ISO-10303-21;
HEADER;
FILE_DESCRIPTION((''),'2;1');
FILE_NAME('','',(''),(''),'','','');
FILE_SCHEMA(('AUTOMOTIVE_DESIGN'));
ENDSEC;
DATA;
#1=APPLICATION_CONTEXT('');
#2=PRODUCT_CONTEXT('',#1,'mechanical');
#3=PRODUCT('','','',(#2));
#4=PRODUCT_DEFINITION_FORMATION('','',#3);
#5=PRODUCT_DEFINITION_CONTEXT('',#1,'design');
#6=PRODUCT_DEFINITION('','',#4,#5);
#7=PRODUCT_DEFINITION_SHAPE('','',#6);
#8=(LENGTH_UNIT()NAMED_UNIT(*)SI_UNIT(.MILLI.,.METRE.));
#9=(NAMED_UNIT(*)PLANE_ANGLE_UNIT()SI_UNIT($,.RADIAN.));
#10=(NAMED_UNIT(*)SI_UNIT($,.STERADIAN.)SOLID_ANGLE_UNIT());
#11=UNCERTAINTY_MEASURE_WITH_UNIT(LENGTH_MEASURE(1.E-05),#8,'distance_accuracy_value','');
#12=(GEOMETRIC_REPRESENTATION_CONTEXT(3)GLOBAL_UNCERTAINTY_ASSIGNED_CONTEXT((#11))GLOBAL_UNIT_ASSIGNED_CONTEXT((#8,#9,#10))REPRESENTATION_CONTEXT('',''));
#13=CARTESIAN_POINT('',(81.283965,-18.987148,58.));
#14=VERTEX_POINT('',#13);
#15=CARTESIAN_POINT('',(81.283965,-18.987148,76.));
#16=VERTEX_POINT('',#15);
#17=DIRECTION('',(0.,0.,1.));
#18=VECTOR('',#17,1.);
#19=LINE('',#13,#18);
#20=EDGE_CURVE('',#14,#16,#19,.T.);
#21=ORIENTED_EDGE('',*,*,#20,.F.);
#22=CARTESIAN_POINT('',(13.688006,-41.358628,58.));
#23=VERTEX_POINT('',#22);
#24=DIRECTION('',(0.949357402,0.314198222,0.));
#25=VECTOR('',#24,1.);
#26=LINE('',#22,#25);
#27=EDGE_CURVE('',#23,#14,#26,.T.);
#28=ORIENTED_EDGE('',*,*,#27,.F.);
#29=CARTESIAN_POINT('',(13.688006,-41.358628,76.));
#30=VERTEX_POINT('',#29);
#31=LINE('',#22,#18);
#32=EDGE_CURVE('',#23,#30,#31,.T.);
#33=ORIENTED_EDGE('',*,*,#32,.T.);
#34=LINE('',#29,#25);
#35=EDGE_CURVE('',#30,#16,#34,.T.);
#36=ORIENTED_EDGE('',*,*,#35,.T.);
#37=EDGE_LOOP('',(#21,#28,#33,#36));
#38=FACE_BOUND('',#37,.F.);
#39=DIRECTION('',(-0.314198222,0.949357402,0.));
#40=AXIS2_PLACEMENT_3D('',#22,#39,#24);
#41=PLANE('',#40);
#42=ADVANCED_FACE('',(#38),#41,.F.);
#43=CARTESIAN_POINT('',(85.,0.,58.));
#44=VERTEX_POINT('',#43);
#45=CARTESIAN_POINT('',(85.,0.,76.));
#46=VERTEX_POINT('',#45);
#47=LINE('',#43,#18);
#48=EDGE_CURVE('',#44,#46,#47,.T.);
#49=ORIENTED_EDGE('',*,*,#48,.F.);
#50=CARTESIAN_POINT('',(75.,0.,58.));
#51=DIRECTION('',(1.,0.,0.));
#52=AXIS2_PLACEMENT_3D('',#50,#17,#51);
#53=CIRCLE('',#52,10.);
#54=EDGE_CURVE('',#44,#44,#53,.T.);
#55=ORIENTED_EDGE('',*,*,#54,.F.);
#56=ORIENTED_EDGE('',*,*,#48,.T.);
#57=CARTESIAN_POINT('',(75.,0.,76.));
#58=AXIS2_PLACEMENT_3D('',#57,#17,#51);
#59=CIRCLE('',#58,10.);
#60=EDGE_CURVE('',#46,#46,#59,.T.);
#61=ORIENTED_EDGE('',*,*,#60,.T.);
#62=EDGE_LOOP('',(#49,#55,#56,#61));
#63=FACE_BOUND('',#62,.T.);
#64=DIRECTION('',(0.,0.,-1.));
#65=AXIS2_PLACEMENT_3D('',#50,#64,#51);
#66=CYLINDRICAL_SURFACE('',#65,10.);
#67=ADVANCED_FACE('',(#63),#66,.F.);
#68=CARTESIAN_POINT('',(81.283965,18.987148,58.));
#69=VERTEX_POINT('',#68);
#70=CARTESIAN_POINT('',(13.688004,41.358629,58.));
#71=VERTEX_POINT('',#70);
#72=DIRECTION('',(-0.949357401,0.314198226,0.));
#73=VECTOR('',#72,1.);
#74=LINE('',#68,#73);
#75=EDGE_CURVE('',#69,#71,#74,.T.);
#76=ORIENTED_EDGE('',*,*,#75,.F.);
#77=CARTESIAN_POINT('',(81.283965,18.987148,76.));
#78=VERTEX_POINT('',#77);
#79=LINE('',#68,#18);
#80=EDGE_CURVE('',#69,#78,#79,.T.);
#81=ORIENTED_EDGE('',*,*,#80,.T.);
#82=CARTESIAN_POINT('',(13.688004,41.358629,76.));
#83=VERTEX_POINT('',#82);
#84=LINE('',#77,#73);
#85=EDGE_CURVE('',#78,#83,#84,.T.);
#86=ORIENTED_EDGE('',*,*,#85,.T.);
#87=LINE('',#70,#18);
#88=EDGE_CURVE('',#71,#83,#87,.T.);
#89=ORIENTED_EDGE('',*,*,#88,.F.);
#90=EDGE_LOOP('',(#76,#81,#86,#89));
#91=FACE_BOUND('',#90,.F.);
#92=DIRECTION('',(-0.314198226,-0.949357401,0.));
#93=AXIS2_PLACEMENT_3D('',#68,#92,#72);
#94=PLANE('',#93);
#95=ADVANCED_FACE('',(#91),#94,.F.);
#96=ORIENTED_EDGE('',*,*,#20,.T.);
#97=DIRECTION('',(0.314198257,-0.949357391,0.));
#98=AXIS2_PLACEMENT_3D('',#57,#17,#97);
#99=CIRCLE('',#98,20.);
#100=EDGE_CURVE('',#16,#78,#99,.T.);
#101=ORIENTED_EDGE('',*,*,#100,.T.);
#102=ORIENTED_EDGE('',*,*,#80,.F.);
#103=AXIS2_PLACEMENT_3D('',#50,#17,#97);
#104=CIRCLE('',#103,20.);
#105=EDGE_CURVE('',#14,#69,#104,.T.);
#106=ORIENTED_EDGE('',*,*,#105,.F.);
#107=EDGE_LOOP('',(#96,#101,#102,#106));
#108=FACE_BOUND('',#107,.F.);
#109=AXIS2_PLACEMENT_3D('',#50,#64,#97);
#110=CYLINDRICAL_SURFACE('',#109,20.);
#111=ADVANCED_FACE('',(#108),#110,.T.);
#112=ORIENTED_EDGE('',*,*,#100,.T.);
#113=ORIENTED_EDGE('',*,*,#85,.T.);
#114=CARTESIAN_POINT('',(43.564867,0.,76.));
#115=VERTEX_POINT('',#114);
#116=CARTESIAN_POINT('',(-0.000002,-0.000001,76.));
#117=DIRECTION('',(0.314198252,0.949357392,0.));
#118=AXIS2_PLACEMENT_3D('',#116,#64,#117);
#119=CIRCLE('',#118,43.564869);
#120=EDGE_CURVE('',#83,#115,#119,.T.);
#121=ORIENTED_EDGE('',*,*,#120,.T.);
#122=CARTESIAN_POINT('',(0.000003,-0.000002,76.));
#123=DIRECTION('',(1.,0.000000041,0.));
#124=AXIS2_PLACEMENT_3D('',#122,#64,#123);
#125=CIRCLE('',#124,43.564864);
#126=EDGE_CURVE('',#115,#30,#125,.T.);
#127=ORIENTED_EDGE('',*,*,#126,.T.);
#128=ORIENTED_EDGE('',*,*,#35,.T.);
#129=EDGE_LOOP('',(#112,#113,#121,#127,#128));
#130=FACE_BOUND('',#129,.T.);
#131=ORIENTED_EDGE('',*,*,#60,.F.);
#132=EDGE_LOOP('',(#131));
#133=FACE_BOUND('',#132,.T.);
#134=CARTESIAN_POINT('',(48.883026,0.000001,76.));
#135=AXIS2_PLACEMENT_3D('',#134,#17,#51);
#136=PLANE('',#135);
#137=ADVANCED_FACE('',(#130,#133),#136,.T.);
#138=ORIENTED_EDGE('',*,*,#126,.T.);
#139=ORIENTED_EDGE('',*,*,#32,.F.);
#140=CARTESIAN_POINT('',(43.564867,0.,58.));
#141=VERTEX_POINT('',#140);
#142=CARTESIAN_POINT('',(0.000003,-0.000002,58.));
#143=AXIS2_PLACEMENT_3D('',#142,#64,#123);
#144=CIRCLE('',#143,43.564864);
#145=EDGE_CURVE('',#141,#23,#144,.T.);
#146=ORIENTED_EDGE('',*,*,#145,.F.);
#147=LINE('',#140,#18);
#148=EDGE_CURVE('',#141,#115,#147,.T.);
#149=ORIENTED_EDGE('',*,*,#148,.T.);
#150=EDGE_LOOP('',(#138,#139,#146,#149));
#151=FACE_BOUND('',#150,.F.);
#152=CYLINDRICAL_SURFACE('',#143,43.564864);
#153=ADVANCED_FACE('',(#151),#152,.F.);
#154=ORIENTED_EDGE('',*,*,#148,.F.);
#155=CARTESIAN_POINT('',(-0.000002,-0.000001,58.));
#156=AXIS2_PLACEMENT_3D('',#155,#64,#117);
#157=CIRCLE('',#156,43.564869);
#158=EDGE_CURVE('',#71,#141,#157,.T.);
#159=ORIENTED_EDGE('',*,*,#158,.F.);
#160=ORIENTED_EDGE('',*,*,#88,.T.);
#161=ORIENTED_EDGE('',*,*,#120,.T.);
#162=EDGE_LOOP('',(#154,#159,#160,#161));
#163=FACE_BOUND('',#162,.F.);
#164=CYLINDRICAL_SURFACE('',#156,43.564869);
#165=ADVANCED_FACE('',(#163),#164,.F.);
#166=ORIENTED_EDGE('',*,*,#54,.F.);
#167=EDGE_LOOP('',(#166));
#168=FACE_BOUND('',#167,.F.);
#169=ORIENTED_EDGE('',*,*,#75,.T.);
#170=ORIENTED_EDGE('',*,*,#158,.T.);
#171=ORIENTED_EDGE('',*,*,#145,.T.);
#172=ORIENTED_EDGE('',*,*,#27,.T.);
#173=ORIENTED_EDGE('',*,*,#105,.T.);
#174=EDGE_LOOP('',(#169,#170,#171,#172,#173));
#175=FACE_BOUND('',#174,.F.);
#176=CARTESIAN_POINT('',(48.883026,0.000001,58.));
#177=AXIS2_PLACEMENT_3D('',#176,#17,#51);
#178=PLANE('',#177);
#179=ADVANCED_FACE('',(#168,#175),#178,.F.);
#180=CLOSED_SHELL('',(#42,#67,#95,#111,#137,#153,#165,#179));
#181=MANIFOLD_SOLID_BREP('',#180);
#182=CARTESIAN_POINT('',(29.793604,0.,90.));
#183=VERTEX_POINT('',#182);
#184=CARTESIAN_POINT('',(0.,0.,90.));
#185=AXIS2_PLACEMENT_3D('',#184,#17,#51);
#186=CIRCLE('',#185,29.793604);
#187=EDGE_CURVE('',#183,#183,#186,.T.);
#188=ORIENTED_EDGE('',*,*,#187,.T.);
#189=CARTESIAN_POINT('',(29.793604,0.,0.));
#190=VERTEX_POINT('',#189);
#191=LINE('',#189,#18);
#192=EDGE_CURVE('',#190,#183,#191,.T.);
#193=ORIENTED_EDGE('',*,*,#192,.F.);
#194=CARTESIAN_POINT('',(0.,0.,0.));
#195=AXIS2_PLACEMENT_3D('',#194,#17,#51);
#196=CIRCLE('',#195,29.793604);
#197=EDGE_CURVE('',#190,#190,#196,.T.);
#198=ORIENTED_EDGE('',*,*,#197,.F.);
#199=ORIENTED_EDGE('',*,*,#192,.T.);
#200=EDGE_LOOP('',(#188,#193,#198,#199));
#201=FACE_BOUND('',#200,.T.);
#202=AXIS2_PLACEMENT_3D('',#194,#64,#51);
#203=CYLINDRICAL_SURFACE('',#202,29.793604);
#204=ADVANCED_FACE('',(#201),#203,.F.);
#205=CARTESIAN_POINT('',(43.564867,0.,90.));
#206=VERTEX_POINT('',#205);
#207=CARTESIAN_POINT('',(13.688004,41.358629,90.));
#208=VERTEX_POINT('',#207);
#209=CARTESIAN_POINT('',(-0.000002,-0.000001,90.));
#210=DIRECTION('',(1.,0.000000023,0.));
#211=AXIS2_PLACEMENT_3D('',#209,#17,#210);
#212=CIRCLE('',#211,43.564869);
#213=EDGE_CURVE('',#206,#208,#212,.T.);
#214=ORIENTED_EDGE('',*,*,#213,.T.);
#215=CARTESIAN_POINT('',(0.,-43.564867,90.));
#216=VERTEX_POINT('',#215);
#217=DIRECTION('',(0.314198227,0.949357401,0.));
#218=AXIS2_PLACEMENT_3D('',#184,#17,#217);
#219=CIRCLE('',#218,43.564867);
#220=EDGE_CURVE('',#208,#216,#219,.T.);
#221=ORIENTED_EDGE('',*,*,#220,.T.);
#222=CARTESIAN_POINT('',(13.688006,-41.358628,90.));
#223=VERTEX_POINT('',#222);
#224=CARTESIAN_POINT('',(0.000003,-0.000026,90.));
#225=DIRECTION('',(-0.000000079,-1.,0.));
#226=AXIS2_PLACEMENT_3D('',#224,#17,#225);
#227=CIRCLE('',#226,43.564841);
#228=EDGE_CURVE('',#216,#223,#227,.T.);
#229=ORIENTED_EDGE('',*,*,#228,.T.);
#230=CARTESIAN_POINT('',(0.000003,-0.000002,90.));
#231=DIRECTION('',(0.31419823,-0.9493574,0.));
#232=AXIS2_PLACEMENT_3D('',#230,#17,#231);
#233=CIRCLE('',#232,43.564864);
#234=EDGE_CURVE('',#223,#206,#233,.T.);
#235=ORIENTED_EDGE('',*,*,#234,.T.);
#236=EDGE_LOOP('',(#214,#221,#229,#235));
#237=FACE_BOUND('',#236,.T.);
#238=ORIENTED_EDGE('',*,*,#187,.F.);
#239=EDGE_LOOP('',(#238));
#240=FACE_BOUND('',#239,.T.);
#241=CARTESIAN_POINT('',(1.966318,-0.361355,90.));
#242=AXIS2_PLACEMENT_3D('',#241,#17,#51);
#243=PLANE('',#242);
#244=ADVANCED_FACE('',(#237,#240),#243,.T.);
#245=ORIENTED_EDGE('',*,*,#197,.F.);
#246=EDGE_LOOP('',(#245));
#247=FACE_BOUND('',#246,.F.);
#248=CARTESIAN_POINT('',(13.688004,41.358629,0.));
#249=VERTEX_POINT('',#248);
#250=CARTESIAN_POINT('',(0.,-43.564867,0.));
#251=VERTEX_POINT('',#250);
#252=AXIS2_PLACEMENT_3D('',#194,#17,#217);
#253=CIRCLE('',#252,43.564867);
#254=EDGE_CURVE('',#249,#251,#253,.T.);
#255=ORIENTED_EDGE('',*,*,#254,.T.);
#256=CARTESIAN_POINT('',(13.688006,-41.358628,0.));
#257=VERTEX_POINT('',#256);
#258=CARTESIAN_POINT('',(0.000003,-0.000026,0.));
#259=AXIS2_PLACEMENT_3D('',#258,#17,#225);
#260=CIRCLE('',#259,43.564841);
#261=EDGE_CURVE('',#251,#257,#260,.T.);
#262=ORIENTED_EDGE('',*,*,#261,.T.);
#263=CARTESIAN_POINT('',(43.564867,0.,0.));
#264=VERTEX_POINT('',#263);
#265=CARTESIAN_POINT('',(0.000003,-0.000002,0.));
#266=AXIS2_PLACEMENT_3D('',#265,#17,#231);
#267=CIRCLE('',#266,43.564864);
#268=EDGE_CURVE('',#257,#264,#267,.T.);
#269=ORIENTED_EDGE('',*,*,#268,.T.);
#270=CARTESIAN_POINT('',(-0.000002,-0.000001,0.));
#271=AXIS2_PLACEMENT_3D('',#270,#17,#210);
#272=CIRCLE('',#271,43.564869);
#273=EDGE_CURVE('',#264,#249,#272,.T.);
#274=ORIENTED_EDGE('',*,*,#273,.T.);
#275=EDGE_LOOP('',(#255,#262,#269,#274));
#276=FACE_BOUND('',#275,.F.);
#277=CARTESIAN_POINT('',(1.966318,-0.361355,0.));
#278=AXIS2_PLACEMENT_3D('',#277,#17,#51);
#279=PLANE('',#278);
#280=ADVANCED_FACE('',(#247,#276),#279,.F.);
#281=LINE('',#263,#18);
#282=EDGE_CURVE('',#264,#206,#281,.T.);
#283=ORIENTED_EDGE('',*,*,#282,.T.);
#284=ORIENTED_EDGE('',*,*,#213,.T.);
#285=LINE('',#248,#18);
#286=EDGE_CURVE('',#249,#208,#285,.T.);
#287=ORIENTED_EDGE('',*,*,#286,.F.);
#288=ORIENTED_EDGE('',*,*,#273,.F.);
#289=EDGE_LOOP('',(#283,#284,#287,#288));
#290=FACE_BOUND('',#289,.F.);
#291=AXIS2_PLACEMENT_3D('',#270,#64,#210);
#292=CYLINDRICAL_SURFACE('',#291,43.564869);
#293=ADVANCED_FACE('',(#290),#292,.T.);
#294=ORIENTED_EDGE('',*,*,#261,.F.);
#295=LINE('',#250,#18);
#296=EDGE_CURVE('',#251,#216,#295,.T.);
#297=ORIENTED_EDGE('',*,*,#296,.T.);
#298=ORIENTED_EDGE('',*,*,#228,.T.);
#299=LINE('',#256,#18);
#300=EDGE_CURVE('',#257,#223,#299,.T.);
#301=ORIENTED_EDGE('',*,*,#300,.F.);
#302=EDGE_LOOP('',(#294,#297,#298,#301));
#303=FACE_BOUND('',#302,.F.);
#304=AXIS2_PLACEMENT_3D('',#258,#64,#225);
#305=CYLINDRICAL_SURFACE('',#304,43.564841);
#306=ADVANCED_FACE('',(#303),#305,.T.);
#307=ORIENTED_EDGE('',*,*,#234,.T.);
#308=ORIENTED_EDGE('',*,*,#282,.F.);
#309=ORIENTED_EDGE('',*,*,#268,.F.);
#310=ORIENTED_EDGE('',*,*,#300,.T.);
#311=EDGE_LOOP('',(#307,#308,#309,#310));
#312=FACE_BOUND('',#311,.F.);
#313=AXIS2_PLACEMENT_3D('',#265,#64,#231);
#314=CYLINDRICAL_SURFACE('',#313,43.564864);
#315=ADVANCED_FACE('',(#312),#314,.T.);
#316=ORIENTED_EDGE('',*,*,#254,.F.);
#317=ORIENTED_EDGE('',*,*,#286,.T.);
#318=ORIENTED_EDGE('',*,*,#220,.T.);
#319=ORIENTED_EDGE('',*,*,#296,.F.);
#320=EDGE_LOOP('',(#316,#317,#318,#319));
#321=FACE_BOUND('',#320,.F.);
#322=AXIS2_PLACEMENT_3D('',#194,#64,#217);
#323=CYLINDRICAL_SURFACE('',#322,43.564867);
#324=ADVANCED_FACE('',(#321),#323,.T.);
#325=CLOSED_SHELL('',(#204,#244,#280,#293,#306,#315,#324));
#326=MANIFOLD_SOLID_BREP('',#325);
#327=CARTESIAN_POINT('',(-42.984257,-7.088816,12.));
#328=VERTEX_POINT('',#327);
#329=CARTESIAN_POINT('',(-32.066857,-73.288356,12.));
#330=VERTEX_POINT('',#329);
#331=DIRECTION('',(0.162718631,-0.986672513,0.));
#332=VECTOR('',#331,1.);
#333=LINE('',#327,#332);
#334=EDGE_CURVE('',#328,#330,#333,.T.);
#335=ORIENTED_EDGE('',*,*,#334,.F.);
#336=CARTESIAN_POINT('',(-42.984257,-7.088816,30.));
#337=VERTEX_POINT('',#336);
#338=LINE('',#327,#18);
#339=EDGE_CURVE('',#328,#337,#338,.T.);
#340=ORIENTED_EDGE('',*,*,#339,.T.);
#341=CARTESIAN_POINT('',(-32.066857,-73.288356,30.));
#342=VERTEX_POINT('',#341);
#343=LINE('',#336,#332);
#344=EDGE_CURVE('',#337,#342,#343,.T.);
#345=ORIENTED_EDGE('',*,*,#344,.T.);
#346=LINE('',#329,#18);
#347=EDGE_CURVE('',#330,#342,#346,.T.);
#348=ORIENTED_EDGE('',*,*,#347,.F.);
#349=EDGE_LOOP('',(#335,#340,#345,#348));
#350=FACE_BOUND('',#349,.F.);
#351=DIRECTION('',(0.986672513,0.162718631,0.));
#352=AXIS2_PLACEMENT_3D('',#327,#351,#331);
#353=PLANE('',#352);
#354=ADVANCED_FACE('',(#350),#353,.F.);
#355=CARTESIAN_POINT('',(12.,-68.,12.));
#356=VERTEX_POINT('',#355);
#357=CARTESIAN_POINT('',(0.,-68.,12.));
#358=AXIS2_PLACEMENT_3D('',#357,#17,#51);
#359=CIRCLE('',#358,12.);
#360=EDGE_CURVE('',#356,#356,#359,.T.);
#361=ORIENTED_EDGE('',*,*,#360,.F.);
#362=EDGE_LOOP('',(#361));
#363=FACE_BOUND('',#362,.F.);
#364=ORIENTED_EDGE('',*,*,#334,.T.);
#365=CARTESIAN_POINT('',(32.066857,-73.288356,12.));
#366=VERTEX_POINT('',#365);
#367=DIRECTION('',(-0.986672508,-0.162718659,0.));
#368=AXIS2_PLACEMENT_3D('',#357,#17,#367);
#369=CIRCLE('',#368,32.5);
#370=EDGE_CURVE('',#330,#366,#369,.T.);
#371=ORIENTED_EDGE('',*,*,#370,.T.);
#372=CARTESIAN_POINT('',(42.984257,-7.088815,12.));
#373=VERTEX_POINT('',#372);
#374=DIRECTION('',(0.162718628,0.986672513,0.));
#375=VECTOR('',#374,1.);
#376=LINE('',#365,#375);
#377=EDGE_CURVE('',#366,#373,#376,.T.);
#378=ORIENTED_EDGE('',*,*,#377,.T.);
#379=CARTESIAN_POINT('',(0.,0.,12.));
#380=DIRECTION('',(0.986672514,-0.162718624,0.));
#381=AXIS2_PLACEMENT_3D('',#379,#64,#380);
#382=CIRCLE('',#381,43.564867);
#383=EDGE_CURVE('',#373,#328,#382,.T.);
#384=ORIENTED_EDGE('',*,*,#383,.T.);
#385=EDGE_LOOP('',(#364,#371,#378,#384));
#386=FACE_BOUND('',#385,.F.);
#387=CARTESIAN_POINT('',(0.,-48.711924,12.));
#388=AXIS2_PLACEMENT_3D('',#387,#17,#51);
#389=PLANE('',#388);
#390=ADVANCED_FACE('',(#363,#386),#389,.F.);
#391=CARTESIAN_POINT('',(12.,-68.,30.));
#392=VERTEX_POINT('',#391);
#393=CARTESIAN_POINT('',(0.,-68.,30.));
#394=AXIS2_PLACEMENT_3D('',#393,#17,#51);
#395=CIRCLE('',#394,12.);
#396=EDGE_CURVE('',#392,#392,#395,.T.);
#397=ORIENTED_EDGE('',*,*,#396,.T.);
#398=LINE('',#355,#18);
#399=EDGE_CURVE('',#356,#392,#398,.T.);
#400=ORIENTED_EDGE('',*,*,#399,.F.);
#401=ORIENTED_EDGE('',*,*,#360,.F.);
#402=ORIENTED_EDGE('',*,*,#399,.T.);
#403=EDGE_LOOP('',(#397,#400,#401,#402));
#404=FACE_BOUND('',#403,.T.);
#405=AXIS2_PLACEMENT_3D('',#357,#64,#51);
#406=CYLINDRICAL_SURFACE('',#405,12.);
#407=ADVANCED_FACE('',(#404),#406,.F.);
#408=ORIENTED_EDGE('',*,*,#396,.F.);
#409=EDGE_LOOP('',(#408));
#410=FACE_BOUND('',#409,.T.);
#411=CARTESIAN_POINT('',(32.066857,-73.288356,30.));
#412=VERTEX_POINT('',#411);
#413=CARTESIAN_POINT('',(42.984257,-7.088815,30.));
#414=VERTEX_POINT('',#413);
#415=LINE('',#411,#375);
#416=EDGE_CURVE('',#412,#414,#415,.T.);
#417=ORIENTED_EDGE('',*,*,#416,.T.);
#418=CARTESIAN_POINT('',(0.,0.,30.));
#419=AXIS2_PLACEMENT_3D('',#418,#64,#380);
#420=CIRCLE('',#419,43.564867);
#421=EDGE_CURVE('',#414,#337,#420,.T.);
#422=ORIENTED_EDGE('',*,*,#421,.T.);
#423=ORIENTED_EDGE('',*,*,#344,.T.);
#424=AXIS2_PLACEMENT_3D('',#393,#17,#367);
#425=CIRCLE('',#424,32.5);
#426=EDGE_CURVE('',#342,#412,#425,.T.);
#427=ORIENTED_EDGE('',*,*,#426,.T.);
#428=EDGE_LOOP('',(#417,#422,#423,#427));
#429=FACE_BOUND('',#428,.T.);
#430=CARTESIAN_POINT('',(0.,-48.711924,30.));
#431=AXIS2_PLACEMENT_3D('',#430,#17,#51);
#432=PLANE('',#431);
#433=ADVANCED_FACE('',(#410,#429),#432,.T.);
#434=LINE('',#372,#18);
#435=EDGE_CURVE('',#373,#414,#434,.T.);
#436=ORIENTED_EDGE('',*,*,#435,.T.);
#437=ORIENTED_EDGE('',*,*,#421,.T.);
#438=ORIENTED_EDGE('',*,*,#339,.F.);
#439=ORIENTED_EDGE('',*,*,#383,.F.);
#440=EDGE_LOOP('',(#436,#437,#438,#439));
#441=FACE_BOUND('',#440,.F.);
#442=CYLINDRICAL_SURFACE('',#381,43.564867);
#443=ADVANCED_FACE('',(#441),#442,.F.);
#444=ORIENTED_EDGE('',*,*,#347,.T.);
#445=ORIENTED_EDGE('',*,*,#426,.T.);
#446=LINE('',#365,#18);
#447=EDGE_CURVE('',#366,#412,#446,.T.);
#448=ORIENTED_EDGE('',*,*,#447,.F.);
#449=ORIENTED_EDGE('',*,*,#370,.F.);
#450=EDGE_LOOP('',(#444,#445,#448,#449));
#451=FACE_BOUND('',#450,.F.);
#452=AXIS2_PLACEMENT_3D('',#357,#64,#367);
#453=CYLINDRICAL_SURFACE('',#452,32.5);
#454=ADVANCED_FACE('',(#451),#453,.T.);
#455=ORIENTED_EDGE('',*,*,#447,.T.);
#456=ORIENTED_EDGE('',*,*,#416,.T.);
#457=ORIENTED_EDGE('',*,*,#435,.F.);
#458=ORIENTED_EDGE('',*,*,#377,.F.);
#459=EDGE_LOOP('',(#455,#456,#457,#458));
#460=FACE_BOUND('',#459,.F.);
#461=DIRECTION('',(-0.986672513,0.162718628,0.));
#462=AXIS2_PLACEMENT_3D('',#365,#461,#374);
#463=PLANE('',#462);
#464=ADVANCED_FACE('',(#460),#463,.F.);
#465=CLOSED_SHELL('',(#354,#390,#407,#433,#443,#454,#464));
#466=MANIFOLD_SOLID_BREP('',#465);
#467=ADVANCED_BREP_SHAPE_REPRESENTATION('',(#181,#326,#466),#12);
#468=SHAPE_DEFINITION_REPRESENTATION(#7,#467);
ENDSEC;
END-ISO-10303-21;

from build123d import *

# Parameters (mm, degrees)
F0_R     = 29.793604
F1_DEPTH = 90
F0_R_2   = 10
F2_DEPTH = 18
F4_R     = 12
F5_DEPTH = 18


with BuildPart() as f1:
    # F0 (on Top) → F1 (new body)
    with BuildSketch(Plane.XY):
        with BuildLine():
            ThreePointArc((13.688006, -41.358628), (35.314401, -25.510601), (43.564867, 0))
            ThreePointArc((43.564867, 0), (35.3144, 25.510601), (13.688004, 41.358629))
            ThreePointArc((13.688004, 41.358629), (-43.009771, 6.932333), (0, -43.564867))
            ThreePointArc((0, -43.564867), (6.932334, -43.009771), (13.688006, -41.358628))
        make_face()
        Circle(F0_R, mode=Mode.SUBTRACT)
    extrude(amount=F1_DEPTH)


with BuildPart() as f2:
    # F0 (on Top) → F2 (new body)
    with BuildSketch(Plane.XY):
        with BuildLine():
            ThreePointArc((13.688004, 41.358629), (35.3144, 25.510601), (43.564867, 0))
            ThreePointArc((43.564867, 0), (35.314401, -25.510601), (13.688006, -41.358628))
            Line((13.688006, -41.358628), (81.283965, -18.987148))
            ThreePointArc((81.283965, -18.987148), (95, 0), (81.283965, 18.987148))
            Line((81.283965, 18.987148), (13.688004, 41.358629))
        make_face()
        with Locations((75, 0)):
            Circle(F0_R_2, mode=Mode.SUBTRACT)
    extrude(amount=F2_DEPTH)


with BuildPart() as f2_1:
    # F3: moved
    add(f2.part.moved(Location((0, 0, 58))))


with BuildPart() as f5:
    # F4 (on Top) → F5 (new body)
    with BuildSketch(Plane.XY):
        with BuildLine():
            Line((-42.984257, -7.088816), (-32.066857, -73.288356))
            ThreePointArc((-32.066857, -73.288356), (0, -100.5), (32.066857, -73.288356))
            Line((32.066857, -73.288356), (42.984257, -7.088815))
            ThreePointArc((42.984257, -7.088815), (0, -43.564867), (-42.984257, -7.088816))
        make_face()
        with Locations((0, -68)):
            Circle(F4_R, mode=Mode.SUBTRACT)
    extrude(amount=F5_DEPTH)


with BuildPart() as f5_1:
    # F6: moved
    add(f5.part.moved(Location((0, 0, 12))))


solid = Compound([f1.part, f2_1.part, f5_1.part])
